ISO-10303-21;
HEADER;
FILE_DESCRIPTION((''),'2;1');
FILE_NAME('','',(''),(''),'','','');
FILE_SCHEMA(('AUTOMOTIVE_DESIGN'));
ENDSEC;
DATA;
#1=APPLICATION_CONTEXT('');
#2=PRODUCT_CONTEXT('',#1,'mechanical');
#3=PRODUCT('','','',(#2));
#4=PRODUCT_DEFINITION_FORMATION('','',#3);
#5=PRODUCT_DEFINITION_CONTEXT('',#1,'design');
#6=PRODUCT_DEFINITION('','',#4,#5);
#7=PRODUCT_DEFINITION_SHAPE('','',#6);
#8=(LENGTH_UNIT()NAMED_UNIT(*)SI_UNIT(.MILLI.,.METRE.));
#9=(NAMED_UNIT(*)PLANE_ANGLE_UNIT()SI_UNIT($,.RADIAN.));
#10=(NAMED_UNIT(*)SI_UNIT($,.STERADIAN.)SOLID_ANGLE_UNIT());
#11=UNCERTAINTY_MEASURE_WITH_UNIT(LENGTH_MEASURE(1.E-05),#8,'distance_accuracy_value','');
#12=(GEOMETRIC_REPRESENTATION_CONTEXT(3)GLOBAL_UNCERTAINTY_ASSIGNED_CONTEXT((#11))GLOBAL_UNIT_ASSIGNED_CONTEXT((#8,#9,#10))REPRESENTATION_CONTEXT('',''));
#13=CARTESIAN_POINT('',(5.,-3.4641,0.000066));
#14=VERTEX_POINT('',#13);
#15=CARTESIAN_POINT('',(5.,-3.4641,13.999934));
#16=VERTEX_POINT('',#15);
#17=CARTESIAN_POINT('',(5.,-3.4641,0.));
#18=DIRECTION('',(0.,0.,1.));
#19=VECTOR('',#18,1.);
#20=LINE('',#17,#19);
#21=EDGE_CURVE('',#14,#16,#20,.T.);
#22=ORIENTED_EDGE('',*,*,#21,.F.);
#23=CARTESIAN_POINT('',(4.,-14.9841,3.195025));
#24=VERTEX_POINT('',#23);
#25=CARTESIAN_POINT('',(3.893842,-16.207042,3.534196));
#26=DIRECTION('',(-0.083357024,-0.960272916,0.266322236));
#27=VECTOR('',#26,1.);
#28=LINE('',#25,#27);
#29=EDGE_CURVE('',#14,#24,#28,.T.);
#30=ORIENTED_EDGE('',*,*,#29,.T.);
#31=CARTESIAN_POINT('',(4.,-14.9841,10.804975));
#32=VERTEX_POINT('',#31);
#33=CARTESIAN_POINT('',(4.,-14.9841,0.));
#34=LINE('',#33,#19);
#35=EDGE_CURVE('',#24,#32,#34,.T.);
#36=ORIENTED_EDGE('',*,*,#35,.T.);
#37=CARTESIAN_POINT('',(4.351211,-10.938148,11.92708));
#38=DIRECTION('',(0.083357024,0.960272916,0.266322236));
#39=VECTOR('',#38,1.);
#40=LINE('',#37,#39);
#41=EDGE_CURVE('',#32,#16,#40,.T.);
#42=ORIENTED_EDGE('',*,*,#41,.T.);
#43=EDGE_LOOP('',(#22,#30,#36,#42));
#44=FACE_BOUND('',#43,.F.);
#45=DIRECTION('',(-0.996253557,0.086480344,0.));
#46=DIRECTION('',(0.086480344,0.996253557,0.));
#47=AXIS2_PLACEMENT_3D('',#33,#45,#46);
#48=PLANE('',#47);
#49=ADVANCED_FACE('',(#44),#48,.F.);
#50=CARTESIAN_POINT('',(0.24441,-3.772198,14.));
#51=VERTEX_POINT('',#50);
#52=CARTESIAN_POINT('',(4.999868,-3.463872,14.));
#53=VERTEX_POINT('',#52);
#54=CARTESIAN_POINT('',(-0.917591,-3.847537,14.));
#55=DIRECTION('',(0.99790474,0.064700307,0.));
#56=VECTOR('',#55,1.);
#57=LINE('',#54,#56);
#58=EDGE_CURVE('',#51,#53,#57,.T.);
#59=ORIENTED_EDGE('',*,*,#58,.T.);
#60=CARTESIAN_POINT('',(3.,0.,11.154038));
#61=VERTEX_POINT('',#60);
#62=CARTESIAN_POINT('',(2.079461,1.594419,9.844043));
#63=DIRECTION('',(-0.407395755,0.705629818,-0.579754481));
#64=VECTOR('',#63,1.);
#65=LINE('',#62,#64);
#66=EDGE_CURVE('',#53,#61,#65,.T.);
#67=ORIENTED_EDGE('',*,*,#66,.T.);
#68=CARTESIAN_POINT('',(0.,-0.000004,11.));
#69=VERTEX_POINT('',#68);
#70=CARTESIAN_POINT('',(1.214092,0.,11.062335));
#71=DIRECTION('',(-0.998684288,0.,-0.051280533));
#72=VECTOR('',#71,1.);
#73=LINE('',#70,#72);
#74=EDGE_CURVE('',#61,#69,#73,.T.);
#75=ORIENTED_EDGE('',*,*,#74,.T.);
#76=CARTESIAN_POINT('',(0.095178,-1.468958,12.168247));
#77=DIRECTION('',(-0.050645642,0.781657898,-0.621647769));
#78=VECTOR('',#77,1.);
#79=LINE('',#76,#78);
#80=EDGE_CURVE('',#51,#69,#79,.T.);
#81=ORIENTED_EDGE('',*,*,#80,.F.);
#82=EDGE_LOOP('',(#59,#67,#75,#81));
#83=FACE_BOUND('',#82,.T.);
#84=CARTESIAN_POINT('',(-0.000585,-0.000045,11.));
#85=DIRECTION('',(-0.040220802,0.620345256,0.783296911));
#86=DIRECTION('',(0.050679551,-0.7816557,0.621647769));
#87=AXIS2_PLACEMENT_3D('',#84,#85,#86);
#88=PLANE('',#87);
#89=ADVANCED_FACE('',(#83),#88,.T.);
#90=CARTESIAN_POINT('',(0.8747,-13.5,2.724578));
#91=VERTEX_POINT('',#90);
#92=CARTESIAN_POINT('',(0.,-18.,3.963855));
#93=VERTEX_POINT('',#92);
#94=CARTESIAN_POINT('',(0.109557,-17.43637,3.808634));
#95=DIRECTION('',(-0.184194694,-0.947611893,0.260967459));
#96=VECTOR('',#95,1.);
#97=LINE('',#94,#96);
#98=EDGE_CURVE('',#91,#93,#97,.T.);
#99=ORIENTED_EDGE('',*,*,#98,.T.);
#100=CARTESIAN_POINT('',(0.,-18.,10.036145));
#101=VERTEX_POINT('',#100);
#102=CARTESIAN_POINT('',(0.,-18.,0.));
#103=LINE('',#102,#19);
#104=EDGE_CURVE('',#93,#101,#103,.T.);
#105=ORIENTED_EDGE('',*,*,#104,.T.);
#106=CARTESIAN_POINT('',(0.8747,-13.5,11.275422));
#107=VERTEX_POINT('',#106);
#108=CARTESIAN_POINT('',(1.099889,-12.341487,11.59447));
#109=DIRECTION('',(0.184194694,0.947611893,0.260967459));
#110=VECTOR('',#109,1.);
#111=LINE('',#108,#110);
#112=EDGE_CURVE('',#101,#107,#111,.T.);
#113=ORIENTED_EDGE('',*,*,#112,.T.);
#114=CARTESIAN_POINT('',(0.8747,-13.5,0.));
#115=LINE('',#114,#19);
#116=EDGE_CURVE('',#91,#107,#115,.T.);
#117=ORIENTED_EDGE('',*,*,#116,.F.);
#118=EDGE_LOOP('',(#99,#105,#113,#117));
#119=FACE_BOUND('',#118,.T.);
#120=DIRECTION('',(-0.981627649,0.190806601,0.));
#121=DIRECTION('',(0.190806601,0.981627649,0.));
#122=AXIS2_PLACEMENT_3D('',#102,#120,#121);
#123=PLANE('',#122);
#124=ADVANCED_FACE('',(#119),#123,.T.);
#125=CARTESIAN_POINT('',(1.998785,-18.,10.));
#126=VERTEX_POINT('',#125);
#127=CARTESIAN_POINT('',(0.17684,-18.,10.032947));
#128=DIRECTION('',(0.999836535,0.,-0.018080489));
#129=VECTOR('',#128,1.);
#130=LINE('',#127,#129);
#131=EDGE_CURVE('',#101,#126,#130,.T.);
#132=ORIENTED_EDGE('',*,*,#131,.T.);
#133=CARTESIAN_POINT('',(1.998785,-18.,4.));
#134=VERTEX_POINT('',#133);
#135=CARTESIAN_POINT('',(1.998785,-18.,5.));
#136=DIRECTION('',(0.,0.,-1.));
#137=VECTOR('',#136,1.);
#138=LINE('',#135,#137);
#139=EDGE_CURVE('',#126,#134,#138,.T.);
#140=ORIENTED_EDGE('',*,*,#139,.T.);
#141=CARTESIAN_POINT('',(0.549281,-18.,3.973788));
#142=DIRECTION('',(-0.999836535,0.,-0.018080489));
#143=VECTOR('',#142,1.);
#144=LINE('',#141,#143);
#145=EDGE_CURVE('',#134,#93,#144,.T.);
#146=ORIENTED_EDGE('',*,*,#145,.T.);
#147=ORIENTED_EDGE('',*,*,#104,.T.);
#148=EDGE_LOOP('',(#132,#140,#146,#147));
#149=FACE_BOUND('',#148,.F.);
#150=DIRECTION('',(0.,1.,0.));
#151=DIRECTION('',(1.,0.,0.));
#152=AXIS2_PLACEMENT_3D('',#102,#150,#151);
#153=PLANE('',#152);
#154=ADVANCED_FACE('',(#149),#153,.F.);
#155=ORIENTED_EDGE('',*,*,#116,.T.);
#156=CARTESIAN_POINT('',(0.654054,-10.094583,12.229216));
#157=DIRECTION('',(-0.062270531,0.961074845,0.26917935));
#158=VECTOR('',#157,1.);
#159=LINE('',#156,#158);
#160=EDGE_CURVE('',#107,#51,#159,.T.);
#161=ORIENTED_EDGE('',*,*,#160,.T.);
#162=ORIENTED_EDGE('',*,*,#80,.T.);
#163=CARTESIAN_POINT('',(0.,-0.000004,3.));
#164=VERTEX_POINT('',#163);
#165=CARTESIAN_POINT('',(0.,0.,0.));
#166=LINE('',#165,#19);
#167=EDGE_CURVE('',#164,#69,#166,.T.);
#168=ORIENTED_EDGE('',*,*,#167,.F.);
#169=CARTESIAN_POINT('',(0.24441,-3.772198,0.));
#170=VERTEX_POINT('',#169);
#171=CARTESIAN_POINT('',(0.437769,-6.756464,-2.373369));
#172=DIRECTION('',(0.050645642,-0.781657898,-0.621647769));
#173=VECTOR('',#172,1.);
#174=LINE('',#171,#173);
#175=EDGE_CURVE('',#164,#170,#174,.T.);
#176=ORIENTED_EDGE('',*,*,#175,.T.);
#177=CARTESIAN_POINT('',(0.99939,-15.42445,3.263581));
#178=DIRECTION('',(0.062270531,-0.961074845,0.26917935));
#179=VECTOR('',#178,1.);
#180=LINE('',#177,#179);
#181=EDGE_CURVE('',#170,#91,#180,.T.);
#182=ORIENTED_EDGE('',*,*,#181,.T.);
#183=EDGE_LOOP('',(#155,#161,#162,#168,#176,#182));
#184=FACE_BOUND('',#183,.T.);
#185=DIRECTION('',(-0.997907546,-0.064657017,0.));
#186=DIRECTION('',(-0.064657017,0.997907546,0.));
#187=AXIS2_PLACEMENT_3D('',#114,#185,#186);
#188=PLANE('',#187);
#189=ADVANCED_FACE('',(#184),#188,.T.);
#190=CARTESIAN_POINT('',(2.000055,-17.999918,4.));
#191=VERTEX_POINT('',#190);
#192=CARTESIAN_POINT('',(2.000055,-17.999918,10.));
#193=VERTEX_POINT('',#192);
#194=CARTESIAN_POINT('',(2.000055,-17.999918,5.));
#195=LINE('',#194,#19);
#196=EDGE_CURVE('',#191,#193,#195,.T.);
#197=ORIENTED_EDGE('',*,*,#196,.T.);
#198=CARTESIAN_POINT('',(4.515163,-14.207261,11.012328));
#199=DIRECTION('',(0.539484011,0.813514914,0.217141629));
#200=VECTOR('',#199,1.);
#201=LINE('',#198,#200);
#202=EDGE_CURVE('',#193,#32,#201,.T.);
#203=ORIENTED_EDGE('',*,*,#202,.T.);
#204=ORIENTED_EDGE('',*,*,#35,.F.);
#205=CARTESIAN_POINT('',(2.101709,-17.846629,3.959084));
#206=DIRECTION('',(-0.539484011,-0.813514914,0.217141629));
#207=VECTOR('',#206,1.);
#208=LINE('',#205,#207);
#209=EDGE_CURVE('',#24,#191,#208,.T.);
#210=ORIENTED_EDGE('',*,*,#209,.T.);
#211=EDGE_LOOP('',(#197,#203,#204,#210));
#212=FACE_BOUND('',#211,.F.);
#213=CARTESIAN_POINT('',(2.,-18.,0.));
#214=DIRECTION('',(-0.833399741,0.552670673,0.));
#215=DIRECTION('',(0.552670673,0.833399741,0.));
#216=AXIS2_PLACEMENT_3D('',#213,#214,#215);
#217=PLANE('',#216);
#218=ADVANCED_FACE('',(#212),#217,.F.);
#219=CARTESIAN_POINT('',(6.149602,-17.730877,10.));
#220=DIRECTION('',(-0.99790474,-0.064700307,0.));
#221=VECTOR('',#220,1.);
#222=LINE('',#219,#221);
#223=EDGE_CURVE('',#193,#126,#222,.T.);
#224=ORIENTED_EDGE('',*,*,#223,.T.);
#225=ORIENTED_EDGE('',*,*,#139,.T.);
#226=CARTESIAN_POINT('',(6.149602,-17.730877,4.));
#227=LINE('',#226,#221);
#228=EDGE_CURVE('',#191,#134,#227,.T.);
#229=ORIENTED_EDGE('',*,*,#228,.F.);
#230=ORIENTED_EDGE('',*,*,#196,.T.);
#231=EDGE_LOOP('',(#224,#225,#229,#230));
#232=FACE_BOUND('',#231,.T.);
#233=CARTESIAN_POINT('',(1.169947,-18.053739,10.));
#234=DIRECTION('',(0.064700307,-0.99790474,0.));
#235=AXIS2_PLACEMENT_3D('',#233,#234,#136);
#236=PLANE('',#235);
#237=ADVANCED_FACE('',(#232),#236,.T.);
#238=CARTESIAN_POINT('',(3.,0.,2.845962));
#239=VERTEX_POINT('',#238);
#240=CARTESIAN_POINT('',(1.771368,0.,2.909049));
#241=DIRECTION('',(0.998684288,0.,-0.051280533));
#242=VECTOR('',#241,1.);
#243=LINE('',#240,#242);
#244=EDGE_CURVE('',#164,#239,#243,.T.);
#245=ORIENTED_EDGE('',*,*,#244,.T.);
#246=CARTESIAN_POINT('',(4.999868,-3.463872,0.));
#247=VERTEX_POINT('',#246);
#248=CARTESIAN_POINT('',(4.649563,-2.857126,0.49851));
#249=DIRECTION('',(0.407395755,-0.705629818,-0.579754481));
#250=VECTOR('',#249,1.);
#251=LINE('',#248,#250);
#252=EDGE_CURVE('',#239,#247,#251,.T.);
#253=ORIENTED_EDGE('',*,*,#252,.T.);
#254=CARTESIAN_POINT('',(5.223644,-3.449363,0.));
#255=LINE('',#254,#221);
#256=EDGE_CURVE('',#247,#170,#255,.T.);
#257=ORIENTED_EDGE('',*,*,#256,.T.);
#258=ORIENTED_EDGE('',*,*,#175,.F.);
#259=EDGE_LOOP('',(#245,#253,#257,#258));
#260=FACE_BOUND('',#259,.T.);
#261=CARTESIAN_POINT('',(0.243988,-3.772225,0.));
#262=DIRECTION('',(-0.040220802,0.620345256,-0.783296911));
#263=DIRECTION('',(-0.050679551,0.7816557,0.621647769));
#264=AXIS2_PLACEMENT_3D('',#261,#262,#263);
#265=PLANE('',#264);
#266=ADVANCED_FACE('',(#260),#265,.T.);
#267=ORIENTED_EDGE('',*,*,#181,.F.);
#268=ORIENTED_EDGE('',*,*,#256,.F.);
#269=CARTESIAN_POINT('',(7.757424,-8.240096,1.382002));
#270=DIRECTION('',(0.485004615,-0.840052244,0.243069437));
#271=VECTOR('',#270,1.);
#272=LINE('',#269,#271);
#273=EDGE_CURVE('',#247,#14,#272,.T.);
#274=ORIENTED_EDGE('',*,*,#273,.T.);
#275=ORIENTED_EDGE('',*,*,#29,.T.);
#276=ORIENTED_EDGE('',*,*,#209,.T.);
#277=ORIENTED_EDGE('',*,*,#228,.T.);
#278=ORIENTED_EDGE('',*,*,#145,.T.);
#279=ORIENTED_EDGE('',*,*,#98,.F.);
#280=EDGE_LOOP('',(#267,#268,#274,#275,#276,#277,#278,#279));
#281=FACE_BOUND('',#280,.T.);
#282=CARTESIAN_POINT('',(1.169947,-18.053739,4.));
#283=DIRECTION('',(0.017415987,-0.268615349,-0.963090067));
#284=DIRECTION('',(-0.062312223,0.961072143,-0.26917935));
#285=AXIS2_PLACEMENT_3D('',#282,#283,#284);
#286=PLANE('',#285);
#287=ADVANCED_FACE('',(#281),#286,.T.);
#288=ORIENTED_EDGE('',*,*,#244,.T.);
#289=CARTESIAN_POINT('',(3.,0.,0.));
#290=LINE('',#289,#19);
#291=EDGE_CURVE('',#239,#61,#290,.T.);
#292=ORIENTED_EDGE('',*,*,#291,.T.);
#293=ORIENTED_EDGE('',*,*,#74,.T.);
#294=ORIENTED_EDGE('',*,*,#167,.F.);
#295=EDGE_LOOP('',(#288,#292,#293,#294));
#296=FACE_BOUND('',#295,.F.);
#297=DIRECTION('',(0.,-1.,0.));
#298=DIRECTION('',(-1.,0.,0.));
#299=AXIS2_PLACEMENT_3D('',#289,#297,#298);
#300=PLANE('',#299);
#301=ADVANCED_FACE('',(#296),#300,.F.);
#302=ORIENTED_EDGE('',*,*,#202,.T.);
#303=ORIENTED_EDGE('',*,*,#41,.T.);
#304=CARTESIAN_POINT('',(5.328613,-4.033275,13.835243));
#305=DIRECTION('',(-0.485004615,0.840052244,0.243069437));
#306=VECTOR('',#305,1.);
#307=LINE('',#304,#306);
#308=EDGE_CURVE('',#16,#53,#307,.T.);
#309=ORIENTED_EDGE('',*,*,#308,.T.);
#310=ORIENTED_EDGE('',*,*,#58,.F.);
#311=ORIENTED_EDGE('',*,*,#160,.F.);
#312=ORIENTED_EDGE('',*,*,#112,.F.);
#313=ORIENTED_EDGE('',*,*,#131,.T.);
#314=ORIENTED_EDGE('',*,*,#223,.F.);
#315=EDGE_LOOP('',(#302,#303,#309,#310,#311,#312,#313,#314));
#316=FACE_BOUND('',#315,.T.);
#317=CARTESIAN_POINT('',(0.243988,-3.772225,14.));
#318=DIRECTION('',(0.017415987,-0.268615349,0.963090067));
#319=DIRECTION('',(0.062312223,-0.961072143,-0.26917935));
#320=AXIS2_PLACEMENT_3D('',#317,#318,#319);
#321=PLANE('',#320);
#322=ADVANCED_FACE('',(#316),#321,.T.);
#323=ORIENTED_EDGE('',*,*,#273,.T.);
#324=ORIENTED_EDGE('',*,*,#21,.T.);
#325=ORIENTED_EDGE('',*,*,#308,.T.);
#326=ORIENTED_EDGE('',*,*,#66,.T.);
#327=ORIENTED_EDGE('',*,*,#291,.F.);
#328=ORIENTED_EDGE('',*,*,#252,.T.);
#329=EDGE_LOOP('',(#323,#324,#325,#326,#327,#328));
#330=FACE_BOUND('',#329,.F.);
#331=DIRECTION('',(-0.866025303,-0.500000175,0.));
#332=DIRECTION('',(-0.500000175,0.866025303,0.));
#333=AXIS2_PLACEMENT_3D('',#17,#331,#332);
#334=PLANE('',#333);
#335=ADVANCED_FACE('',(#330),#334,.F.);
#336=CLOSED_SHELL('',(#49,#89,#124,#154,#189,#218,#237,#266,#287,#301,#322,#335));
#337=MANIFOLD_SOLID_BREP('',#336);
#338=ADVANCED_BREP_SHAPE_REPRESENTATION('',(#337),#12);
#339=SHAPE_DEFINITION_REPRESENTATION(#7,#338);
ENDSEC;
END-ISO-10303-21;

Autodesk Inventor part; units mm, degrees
ref_plane "YZ Plane" through (0, 0, 0) normal (1, 0, 0) x (0, 1, 0)
ref_plane "XZ Plane" through (0, 0, 0) normal (0, 1, 0) x (-1, 0, 0)
ref_plane "XY Plane" through (0, 0, 0) normal (0, 0, 1) x (1, 0, 0)
sketch "Base" plane through (0, 0, 0) normal (0, 0, 1) x (1, 0, 0)
  line L0 (0, 0) -> (0, -18) construction
  line L1 (0, -18) -> (2, -18)
  line L2 (2, -18) -> (4, -14.9841)
  line L3 (5, -3.4641) -> (3, 0)
  line L4 (3, 0) -> (0, 0)
  line L5 (4, -14.9841) -> (5, -3.4641)
  line L6 (0, -18) -> (0.8747, -13.5)
  line L7 (0.8747, -13.5) -> (0, 0)
  dimension "d0" = 18
  dimension "d1" = 3
  dimension "d2" = 2
  dimension "d3" = 5
  dimension "d8" = 4
  dimension "d12" = 120
  dimension "d14" = 11.52
  dimension "d23" = 13.5
  dimension "d24" = 79
extrude "BaseFeature" add sketch "Base" along normal blind 14
sketch "TopProfile" plane through (0.8747, -13.5, 0) normal (-0.9979, -0.0647, 0) x (0, 0, 1)
  line L0 (0, 9.7482) -> (14, 9.7482) projected
  line L1 (3, 13.5283) -> (11, 13.5283)
  line L2 (11, 13.5283) -> (14, 9.7482)
  line L3 (14, 9.7482) -> (10, -4.5633)
  line L4 (10, -4.5633) -> (4, -4.5633)
  line L5 (4, -4.5633) -> (0, 9.7482)
  line L6 (0, 9.7482) -> (3, 13.5283)
  line L7 (0, 13.5283) -> (14, 13.5283) projected
  line L8 (0, -4.5633) -> (14, -4.5633) projected
  point P0 (7, 13.5283)
  point P1 (7, -4.5633)
  dimension "d27" = 8
  dimension "d28" = 6
extrude "TopProfileFeature" cut sketch "TopProfile" along normal through all both and the other way through all keep common part
equation "\"d14\" = 0.64 * d0"
equation "\"d23\" = 0.75 * d0"
properties part number "DistalPhalangeIndexMiddle"
